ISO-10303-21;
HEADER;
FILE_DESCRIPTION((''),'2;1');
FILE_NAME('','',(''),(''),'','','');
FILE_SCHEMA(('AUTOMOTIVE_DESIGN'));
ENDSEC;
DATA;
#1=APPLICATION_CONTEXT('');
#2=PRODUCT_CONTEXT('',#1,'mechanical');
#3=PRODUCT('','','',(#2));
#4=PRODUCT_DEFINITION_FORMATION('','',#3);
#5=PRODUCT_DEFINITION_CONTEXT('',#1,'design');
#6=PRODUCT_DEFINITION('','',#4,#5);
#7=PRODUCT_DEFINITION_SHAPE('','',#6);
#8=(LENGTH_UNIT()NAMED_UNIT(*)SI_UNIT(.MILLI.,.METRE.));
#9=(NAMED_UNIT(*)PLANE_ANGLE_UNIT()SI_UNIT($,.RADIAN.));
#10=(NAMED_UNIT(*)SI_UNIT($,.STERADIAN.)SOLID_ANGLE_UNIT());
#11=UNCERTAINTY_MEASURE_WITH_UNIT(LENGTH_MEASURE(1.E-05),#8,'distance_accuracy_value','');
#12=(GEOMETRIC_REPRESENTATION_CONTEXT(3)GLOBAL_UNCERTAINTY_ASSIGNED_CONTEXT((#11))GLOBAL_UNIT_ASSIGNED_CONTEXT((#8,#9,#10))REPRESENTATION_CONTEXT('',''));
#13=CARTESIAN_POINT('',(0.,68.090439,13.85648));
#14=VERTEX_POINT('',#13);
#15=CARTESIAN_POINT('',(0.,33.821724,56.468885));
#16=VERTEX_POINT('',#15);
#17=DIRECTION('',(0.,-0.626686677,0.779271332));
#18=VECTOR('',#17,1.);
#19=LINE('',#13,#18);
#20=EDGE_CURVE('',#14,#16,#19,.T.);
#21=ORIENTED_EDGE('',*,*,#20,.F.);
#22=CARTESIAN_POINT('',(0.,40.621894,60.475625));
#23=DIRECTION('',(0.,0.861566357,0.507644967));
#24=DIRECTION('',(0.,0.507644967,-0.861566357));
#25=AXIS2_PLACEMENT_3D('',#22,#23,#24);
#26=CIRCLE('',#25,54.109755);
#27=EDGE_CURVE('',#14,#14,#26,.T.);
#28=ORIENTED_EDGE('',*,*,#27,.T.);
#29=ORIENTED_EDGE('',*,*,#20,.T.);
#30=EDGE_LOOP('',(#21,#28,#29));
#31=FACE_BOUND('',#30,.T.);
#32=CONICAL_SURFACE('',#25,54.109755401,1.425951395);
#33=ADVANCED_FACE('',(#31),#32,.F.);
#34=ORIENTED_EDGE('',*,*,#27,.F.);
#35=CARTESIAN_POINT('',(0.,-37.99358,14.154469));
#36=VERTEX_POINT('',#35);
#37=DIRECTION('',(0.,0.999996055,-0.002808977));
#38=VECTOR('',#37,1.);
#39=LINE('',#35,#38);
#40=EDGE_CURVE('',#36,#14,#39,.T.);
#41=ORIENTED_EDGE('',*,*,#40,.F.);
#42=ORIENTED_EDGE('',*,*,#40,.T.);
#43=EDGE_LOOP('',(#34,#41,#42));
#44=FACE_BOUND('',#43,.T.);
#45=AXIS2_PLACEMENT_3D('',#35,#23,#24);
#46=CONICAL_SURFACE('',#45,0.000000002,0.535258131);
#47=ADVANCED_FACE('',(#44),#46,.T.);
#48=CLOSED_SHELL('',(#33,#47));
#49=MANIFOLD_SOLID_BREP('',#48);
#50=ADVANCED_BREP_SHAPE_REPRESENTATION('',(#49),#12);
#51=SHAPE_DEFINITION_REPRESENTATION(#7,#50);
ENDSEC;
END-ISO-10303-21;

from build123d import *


with BuildPart() as f1:
    # F0 (on Right) → F1 (revolve)
    with BuildSketch(Plane.YZ):
        Polygon((68.0904388428, 13.8564798981), (33.8217243552, 56.468885392), (-37.9935801029, 14.154468663), align=None)
    revolve(axis=Axis((0, -2.0859278738, 35.3116770275), (0, 0.8615663569, 0.5076449671)))


solid = f1.part
